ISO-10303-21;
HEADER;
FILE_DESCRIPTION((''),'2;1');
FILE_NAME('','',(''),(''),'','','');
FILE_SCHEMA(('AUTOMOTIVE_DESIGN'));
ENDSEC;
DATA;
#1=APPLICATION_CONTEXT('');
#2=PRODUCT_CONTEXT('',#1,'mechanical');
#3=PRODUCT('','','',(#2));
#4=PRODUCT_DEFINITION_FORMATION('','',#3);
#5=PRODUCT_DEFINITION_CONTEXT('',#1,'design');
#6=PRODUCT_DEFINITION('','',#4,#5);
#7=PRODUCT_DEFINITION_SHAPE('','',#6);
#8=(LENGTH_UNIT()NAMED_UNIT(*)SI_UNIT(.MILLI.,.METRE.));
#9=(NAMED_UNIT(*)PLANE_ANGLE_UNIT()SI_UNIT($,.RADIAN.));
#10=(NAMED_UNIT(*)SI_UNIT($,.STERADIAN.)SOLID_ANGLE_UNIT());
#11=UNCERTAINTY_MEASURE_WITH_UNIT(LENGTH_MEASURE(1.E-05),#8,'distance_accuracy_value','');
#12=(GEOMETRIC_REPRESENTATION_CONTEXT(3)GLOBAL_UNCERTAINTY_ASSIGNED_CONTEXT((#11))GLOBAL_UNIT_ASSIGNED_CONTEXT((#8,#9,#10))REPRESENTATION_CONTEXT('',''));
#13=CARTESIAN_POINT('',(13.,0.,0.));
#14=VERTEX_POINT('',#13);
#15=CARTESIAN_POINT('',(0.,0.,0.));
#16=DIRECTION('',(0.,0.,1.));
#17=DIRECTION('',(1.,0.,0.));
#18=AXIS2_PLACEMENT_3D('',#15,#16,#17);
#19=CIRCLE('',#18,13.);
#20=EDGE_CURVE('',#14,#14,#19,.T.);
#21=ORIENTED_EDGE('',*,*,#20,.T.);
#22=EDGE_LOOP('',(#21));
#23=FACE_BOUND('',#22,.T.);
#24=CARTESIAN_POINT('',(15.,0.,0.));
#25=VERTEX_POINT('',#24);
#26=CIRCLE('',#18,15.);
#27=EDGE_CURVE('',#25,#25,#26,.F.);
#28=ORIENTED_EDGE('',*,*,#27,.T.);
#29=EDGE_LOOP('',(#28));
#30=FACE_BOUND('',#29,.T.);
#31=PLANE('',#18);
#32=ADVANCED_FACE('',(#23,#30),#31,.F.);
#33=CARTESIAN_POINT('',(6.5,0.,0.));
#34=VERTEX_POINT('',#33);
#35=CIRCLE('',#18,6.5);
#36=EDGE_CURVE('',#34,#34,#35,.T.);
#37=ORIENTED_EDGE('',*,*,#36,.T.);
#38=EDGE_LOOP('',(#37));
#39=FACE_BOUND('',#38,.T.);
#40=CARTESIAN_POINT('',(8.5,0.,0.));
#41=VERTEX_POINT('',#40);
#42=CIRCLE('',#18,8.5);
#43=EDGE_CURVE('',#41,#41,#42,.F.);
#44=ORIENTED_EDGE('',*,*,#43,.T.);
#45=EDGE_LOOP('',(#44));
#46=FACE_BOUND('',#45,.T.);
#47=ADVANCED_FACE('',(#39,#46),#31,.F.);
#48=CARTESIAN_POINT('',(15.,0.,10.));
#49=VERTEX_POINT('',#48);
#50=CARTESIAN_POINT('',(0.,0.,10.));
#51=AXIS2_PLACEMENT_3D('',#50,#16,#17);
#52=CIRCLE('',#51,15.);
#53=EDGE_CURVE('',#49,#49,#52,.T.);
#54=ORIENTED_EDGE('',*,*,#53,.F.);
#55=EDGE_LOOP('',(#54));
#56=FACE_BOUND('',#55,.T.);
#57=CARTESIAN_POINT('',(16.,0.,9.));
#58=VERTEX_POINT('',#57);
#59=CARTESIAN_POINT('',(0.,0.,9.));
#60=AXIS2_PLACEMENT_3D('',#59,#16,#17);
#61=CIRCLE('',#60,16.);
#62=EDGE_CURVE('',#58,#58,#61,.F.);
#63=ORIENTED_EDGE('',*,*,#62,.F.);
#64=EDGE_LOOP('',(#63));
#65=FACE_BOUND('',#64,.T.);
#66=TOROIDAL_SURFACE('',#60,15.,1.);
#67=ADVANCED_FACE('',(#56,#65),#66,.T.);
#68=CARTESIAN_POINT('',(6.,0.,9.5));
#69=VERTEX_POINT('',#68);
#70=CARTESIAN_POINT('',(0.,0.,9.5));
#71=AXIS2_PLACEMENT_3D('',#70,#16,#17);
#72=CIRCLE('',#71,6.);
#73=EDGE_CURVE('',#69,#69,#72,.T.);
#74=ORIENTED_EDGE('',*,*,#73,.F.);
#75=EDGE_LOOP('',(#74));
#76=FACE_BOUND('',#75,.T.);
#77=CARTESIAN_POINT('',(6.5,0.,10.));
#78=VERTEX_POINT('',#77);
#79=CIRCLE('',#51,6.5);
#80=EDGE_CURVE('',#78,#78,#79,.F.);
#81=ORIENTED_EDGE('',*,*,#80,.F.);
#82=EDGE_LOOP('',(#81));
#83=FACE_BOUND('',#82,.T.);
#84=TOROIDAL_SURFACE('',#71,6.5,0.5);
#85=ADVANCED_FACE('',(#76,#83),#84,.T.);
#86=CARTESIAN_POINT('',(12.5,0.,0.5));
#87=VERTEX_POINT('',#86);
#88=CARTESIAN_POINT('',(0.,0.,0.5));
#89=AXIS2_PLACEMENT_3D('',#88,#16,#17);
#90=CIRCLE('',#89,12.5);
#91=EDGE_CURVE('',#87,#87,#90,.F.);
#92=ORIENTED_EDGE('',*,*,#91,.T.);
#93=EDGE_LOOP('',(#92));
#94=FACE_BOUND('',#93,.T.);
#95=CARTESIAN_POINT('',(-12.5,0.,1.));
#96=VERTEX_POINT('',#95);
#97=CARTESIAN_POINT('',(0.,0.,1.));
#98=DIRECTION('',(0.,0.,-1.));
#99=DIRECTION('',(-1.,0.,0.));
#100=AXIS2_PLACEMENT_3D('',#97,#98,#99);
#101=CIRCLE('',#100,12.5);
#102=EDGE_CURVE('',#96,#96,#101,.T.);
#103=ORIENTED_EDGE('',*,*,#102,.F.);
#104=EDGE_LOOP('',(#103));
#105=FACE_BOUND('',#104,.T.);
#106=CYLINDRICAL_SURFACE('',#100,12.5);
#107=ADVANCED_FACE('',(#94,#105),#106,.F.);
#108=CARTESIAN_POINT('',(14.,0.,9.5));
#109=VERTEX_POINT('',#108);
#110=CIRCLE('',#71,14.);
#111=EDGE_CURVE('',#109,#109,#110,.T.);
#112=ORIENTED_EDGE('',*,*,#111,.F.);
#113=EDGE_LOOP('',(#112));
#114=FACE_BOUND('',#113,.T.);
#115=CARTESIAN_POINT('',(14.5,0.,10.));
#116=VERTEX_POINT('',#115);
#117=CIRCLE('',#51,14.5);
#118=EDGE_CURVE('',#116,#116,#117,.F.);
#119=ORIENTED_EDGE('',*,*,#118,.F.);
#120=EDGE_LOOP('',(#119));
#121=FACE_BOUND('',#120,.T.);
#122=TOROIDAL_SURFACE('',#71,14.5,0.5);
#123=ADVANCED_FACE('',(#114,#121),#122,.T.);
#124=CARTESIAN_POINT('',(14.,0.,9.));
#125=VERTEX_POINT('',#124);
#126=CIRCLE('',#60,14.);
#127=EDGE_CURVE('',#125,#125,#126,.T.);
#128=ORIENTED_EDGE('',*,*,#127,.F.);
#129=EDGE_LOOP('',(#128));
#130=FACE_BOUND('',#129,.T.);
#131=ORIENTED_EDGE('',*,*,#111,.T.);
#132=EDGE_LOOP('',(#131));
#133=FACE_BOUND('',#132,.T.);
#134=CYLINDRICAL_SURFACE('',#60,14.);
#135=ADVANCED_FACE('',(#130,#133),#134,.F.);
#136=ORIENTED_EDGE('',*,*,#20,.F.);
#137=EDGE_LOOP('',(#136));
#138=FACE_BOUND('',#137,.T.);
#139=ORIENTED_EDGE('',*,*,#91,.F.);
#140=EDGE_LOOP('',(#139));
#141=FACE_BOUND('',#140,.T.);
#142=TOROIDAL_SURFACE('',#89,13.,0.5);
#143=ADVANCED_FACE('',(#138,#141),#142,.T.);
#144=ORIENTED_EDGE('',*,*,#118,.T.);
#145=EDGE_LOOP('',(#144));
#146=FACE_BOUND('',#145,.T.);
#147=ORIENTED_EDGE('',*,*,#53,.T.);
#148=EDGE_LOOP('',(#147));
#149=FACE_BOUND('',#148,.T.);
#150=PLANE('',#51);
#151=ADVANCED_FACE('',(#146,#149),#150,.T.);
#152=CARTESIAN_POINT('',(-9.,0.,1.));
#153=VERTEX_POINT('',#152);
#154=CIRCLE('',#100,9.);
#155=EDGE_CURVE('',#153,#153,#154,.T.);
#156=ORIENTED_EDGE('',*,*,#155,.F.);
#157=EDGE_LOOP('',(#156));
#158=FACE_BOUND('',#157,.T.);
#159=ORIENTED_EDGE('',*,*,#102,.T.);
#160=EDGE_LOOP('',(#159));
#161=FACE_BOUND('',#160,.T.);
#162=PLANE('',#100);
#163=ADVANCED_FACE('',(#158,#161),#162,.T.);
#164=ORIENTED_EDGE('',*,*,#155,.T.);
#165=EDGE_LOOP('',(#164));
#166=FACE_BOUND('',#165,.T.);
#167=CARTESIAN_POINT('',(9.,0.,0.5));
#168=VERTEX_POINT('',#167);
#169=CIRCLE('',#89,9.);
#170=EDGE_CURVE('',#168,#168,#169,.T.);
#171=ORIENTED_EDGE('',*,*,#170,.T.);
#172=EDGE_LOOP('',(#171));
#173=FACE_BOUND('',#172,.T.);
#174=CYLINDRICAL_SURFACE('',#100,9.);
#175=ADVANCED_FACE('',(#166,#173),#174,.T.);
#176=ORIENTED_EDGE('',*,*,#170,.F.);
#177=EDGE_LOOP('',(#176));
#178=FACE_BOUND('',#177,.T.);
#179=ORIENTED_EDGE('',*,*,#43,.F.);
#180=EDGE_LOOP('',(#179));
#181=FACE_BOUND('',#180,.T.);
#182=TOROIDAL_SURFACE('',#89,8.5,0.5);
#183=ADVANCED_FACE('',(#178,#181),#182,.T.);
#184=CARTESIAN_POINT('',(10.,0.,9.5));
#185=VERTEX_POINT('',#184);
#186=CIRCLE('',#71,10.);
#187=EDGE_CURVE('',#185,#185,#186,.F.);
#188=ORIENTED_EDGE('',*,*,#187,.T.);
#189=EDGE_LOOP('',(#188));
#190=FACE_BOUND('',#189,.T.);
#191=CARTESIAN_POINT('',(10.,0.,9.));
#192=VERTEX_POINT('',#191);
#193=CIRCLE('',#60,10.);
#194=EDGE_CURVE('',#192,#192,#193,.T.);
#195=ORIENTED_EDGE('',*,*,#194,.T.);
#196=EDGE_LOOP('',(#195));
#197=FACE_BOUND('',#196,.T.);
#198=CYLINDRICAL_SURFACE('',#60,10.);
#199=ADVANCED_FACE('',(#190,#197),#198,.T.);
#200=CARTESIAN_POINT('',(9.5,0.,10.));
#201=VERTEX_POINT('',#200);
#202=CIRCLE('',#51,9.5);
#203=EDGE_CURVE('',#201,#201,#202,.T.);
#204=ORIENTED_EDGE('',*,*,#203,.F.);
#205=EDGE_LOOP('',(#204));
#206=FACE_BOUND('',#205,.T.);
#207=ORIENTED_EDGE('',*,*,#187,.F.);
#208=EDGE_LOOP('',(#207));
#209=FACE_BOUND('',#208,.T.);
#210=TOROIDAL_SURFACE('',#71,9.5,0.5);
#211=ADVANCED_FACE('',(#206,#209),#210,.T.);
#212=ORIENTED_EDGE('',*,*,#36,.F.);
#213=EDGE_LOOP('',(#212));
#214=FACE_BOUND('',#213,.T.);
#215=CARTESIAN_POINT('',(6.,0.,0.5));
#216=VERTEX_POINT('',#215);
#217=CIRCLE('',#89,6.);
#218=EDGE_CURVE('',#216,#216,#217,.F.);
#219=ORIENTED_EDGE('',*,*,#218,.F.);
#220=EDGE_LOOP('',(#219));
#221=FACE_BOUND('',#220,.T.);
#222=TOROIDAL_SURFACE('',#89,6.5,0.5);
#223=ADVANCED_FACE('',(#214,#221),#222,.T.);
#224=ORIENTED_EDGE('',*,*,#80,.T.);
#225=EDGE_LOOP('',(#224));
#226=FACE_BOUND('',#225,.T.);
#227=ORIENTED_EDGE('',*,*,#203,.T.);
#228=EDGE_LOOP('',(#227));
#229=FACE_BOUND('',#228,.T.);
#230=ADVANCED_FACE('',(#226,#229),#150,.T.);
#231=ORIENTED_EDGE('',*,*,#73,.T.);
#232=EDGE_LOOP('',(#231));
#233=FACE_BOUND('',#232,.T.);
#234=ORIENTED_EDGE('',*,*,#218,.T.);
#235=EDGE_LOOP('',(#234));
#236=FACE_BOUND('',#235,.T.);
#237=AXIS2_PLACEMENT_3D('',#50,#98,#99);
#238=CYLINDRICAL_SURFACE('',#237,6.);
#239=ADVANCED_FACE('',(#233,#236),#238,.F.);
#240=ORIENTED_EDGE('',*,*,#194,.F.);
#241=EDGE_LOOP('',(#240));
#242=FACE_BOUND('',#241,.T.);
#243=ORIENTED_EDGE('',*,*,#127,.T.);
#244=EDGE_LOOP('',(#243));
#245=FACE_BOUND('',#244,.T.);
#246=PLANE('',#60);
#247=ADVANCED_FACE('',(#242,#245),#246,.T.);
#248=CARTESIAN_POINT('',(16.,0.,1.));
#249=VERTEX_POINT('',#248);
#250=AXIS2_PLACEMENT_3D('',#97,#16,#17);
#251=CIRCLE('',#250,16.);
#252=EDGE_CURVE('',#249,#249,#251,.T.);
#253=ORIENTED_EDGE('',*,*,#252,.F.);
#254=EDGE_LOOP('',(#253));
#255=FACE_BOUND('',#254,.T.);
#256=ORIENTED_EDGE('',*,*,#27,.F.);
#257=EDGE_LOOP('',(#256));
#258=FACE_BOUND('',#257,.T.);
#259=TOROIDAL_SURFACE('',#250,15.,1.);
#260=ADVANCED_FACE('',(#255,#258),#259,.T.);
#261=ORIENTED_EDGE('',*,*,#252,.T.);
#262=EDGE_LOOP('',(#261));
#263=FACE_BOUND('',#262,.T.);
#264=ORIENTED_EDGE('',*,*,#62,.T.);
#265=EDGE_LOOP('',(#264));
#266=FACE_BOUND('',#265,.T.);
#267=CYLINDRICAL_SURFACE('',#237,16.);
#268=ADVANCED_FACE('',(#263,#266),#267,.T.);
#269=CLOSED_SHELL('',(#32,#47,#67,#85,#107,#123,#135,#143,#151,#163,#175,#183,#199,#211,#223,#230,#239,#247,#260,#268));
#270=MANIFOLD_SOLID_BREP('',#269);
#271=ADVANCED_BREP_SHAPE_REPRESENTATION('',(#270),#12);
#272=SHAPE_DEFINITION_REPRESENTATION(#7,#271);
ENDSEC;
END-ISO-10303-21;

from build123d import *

# Parameters (mm, degrees)
ESBO_O1_R                = 16
ESBO_O1_R_2              = 6
RESSALTO_EXTRUS_O1_DEPTH = 10
ESBO_O2_R                = 14
ESBO_O2_R_2              = 10
CORTE_EXTRUS_O1_DEPTH    = 1
ESBO_O3_R                = 12.5
ESBO_O3_R_2              = 9
CORTE_EXTRUS_O2_DEPTH    = 1
FILLET1_R                = 1
FILLET2_R                = 0.5


with BuildPart() as part:
    # Esboço1 → Ressalto-extrusão1 (new body)
    with BuildSketch(Plane.XY):
        Circle(ESBO_O1_R)
        Circle(ESBO_O1_R_2, mode=Mode.SUBTRACT)
    extrude(amount=RESSALTO_EXTRUS_O1_DEPTH)

    # Esboço2 → Corte-extrusão1 (cut)
    with BuildSketch(Plane.XY.offset(10)):
        Circle(ESBO_O2_R)
        Circle(ESBO_O2_R_2, mode=Mode.SUBTRACT)
    extrude(amount=-CORTE_EXTRUS_O1_DEPTH, mode=Mode.SUBTRACT)

    # Esboço3 → Corte-extrusão2 (cut)
    with BuildSketch(Plane(origin=(0, 0, 0), x_dir=(-1, 0, 0), z_dir=(0, 0, -1))):
        Circle(ESBO_O3_R)
        Circle(ESBO_O3_R_2, mode=Mode.SUBTRACT)
    extrude(amount=-CORTE_EXTRUS_O2_DEPTH, mode=Mode.SUBTRACT)

    # Fillet1
    fillet1_edges = [part.edges().sort_by_distance(p)[0] for p in [
        (-16, 0, 0),
        (-16, 0, 10),
    ]]
    fillet(fillet1_edges, radius=FILLET1_R)

    # Fillet2
    fillet2_edges = [part.edges().sort_by_distance(p)[0] for p in [
        (-14, 0, 10),
        (-10, 0, 10),
        (12.5, 0, 0),
        (9, 0, 0),
        (-6, 0, 0),
        (-6, 0, 10),
    ]]
    fillet(fillet2_edges, radius=FILLET2_R)


solid = part.part
